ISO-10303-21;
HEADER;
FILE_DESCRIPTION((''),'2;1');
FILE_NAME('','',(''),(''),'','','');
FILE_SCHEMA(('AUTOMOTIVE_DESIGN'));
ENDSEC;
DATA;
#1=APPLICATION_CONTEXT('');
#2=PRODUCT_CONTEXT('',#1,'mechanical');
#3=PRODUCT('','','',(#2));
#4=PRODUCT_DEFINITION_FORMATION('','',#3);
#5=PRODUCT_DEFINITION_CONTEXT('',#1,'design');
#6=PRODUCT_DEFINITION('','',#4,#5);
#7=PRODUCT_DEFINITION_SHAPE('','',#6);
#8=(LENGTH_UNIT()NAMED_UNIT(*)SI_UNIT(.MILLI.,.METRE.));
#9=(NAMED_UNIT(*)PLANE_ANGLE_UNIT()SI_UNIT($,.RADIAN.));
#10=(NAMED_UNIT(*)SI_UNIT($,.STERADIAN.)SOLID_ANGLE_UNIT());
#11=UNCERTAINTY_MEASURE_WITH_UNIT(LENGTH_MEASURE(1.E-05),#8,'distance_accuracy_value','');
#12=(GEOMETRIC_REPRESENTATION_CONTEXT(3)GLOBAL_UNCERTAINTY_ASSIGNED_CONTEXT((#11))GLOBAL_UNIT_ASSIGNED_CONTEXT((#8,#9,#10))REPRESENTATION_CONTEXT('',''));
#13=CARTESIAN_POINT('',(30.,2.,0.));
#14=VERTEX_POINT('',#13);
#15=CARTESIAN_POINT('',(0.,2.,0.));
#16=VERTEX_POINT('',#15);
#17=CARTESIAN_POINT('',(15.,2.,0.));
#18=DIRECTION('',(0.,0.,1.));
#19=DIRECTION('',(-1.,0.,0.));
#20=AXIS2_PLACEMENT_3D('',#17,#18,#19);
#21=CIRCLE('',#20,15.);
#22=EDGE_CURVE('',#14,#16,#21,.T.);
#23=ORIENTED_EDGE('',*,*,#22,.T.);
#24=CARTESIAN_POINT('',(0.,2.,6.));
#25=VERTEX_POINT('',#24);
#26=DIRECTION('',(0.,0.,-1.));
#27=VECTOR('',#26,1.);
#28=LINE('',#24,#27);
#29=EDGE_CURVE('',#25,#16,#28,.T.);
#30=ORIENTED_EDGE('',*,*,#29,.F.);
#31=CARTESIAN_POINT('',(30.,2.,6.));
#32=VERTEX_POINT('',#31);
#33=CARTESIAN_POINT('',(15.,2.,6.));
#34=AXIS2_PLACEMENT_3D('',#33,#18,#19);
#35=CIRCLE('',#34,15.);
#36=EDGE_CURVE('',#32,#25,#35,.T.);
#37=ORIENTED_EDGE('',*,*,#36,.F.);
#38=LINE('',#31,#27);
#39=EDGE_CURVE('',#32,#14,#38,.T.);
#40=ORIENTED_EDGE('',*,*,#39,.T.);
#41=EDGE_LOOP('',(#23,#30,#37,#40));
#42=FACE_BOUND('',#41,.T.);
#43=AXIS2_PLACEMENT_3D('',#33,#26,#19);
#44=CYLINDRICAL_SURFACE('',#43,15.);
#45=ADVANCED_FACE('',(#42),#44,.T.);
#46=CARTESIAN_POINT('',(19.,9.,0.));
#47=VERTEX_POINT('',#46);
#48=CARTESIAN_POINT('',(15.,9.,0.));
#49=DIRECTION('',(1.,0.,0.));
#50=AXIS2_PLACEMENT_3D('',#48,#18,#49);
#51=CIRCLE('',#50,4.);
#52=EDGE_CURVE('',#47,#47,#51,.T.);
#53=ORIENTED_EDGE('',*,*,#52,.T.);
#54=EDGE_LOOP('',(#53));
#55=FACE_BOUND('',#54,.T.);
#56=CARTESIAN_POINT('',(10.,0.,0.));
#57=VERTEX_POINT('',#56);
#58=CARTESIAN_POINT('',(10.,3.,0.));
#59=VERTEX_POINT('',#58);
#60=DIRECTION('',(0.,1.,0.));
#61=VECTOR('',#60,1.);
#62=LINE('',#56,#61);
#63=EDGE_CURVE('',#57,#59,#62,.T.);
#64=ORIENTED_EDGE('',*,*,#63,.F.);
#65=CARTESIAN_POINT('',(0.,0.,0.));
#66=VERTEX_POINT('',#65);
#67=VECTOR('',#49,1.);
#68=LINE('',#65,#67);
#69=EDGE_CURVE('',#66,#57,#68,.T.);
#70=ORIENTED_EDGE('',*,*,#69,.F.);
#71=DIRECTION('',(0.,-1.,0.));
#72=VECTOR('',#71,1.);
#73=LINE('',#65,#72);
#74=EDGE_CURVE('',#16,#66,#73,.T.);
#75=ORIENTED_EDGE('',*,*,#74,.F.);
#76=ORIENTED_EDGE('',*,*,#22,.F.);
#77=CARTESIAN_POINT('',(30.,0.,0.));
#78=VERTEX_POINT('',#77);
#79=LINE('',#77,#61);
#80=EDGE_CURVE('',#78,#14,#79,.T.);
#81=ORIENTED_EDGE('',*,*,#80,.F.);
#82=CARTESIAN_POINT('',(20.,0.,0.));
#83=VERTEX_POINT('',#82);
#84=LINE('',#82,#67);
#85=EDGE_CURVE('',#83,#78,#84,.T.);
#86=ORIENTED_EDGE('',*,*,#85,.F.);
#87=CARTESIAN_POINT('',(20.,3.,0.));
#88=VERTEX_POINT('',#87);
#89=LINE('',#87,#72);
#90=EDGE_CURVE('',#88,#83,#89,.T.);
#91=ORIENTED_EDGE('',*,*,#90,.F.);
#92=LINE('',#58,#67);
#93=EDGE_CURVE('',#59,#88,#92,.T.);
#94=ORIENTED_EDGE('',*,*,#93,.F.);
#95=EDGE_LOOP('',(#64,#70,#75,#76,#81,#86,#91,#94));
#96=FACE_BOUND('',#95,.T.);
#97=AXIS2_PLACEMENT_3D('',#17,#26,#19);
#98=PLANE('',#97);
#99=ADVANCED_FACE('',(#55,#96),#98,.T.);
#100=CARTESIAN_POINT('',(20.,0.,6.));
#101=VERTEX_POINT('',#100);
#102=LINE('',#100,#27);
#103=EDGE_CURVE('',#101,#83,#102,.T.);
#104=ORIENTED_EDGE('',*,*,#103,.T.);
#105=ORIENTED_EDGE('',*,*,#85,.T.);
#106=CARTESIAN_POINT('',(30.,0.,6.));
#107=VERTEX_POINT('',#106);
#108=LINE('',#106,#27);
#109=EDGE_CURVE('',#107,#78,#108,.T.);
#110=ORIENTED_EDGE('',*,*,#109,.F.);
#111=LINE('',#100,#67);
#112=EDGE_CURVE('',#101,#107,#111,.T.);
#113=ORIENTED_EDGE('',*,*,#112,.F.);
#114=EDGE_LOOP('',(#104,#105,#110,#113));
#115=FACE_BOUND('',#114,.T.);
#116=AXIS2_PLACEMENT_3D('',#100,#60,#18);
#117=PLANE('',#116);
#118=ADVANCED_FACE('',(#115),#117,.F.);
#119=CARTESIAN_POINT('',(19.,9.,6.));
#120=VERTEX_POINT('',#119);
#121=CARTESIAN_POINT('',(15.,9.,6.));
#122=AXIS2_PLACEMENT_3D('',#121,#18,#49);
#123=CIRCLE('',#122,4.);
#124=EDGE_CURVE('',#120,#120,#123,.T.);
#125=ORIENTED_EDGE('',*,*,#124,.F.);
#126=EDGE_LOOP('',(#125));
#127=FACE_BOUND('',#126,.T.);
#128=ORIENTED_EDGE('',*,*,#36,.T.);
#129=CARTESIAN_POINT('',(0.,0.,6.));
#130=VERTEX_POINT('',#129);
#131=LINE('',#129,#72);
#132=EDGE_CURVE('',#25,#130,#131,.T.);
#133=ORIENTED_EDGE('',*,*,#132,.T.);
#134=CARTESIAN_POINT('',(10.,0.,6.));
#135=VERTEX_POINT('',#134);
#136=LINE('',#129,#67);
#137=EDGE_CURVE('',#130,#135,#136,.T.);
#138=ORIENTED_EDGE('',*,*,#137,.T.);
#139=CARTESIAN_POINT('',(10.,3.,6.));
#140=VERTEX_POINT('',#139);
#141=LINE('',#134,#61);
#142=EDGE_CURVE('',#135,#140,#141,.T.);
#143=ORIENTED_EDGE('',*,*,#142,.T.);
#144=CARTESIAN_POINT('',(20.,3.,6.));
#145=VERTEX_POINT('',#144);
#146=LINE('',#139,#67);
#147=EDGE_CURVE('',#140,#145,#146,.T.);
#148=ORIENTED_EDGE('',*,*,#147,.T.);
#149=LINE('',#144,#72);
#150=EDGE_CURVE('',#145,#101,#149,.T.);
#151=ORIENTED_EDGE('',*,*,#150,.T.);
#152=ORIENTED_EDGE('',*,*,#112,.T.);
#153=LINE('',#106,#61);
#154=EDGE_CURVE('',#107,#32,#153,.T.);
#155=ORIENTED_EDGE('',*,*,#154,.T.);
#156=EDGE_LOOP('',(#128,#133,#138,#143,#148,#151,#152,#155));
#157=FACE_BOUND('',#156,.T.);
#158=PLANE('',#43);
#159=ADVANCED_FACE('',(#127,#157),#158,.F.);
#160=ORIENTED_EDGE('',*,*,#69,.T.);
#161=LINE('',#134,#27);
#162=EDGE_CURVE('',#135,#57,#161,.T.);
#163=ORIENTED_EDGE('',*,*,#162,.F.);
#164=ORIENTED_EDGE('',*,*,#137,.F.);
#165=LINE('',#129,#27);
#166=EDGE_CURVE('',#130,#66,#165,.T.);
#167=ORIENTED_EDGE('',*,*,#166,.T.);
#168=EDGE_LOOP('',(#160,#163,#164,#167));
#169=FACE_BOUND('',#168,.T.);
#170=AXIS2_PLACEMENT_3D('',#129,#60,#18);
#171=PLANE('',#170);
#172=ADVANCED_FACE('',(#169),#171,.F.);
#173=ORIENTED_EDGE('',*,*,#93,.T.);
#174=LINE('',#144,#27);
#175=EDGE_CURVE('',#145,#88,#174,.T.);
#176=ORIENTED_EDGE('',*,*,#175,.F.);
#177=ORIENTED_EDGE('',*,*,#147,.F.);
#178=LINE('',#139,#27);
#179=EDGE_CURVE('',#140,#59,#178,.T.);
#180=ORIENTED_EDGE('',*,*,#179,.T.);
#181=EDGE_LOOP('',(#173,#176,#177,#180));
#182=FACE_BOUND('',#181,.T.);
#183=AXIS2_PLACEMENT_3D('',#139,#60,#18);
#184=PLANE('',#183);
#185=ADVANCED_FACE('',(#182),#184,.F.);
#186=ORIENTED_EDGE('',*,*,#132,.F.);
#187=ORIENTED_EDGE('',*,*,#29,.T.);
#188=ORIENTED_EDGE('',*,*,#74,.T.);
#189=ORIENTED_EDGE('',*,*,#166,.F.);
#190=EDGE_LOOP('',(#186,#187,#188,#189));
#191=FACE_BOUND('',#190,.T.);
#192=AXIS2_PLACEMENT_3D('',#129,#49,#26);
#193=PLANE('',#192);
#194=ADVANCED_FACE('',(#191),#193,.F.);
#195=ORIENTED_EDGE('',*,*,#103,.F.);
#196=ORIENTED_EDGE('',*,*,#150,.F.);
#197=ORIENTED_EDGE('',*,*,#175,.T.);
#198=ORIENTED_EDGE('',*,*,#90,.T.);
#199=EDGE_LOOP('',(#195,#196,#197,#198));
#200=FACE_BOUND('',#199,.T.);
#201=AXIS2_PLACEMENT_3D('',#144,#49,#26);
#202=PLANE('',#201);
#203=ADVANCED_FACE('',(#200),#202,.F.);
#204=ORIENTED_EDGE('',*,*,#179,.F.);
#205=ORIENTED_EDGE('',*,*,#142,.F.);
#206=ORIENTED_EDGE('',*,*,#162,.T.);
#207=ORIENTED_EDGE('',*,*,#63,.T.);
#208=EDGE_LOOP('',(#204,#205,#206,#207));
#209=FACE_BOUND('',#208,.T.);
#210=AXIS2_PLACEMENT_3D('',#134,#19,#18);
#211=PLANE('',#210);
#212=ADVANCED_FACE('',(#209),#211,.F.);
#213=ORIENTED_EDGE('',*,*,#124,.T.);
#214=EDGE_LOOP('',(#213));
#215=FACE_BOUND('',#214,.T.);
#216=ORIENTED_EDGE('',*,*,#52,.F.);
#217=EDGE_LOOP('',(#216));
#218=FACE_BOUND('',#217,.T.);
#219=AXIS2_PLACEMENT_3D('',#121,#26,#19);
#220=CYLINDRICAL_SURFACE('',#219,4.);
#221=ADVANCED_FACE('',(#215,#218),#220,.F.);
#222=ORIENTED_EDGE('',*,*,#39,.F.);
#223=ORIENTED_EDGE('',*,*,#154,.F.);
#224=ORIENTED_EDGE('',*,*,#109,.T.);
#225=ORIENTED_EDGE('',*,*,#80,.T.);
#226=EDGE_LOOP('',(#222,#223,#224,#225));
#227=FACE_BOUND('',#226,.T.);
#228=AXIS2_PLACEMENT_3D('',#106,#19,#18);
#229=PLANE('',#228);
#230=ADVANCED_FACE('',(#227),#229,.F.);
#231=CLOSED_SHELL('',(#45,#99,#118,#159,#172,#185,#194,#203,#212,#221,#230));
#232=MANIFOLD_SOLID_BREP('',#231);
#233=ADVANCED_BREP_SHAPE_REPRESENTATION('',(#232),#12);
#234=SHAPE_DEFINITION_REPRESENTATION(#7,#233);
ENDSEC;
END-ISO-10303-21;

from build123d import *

# Parameters (mm, degrees)
SKETCH1_R           = 4
BOSS_EXTRUDE1_DEPTH = 6


with BuildPart() as part:
    # Sketch1 → Boss-Extrude1 (new body)
    with BuildSketch(Plane.XY):
        with BuildLine():
            Line((0, 0), (10, 0))
            Line((10, 0), (10, 3))
            Line((10, 3), (20, 3))
            Line((20, 3), (20, 0))
            Line((20, 0), (30, 0))
            Line((30, 0), (30, 2))
            ThreePointArc((30, 2), (15, 17), (0, 2))
            Line((0, 2), (0, 0))
        make_face()
        with Locations((15, 9)):
            Circle(SKETCH1_R, mode=Mode.SUBTRACT)
    extrude(amount=BOSS_EXTRUDE1_DEPTH)


solid = part.part
